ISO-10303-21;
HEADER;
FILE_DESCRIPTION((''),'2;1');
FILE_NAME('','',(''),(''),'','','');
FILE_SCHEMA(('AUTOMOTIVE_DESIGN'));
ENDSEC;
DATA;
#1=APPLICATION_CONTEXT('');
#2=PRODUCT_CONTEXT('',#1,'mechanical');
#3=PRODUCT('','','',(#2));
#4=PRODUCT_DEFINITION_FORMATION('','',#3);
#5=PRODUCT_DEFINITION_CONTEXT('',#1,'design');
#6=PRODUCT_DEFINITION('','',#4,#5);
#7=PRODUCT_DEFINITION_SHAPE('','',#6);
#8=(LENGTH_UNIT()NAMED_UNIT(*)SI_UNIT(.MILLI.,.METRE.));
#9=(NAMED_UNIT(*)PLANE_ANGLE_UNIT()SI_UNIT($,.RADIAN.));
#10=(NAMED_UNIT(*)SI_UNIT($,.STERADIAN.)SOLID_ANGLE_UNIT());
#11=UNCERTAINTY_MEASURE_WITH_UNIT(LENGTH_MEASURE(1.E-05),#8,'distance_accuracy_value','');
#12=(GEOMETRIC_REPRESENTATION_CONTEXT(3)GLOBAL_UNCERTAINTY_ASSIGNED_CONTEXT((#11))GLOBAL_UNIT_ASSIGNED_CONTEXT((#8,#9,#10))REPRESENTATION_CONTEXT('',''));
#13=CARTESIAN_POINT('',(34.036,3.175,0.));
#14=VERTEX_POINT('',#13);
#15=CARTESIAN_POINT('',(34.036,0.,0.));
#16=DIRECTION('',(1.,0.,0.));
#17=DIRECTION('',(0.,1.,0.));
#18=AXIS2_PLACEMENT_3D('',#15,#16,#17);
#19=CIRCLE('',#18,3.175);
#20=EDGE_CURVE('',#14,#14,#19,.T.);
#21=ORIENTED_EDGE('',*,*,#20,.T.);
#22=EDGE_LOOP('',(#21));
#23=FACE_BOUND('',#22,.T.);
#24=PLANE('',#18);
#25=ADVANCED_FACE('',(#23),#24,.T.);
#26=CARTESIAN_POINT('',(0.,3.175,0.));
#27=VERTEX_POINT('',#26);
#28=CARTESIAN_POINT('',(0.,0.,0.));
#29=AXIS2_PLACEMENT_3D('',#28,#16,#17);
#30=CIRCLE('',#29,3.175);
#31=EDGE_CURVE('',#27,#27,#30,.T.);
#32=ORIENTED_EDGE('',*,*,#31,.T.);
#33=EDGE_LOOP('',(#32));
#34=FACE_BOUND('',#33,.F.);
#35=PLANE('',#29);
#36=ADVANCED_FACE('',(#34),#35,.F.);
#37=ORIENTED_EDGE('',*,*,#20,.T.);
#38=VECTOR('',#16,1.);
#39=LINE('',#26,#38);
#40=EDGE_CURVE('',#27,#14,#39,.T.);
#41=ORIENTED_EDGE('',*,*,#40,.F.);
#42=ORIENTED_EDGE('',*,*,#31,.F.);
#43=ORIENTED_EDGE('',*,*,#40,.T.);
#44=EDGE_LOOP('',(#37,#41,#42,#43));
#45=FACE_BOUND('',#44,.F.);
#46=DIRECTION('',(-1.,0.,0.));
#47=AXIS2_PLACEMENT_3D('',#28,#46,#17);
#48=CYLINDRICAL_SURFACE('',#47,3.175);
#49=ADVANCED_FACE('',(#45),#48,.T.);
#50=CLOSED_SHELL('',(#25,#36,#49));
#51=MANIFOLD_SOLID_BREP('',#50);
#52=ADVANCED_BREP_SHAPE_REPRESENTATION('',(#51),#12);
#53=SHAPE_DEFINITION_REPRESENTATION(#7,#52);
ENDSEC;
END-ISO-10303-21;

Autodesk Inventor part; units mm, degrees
ref_plane "YZ Plane" through (0, 0, 0) normal (1, 0, 0) x (0, 1, 0)
ref_plane "XZ Plane" through (0, 0, 0) normal (0, 1, 0) x (-1, 0, 0)
ref_plane "XY Plane" through (0, 0, 0) normal (0, 0, 1) x (1, 0, 0)
sketch "Sketch1" plane through (0, 0, 0) normal (1, 0, 0) x (0, 1, 0)
  circle A0 centre (0, 0) radius 3.175
  dimension "d0" = 6.35
extrude "Extrusion1" add sketch "Sketch1" along normal blind 34.036
properties part number "Axle1.34"
